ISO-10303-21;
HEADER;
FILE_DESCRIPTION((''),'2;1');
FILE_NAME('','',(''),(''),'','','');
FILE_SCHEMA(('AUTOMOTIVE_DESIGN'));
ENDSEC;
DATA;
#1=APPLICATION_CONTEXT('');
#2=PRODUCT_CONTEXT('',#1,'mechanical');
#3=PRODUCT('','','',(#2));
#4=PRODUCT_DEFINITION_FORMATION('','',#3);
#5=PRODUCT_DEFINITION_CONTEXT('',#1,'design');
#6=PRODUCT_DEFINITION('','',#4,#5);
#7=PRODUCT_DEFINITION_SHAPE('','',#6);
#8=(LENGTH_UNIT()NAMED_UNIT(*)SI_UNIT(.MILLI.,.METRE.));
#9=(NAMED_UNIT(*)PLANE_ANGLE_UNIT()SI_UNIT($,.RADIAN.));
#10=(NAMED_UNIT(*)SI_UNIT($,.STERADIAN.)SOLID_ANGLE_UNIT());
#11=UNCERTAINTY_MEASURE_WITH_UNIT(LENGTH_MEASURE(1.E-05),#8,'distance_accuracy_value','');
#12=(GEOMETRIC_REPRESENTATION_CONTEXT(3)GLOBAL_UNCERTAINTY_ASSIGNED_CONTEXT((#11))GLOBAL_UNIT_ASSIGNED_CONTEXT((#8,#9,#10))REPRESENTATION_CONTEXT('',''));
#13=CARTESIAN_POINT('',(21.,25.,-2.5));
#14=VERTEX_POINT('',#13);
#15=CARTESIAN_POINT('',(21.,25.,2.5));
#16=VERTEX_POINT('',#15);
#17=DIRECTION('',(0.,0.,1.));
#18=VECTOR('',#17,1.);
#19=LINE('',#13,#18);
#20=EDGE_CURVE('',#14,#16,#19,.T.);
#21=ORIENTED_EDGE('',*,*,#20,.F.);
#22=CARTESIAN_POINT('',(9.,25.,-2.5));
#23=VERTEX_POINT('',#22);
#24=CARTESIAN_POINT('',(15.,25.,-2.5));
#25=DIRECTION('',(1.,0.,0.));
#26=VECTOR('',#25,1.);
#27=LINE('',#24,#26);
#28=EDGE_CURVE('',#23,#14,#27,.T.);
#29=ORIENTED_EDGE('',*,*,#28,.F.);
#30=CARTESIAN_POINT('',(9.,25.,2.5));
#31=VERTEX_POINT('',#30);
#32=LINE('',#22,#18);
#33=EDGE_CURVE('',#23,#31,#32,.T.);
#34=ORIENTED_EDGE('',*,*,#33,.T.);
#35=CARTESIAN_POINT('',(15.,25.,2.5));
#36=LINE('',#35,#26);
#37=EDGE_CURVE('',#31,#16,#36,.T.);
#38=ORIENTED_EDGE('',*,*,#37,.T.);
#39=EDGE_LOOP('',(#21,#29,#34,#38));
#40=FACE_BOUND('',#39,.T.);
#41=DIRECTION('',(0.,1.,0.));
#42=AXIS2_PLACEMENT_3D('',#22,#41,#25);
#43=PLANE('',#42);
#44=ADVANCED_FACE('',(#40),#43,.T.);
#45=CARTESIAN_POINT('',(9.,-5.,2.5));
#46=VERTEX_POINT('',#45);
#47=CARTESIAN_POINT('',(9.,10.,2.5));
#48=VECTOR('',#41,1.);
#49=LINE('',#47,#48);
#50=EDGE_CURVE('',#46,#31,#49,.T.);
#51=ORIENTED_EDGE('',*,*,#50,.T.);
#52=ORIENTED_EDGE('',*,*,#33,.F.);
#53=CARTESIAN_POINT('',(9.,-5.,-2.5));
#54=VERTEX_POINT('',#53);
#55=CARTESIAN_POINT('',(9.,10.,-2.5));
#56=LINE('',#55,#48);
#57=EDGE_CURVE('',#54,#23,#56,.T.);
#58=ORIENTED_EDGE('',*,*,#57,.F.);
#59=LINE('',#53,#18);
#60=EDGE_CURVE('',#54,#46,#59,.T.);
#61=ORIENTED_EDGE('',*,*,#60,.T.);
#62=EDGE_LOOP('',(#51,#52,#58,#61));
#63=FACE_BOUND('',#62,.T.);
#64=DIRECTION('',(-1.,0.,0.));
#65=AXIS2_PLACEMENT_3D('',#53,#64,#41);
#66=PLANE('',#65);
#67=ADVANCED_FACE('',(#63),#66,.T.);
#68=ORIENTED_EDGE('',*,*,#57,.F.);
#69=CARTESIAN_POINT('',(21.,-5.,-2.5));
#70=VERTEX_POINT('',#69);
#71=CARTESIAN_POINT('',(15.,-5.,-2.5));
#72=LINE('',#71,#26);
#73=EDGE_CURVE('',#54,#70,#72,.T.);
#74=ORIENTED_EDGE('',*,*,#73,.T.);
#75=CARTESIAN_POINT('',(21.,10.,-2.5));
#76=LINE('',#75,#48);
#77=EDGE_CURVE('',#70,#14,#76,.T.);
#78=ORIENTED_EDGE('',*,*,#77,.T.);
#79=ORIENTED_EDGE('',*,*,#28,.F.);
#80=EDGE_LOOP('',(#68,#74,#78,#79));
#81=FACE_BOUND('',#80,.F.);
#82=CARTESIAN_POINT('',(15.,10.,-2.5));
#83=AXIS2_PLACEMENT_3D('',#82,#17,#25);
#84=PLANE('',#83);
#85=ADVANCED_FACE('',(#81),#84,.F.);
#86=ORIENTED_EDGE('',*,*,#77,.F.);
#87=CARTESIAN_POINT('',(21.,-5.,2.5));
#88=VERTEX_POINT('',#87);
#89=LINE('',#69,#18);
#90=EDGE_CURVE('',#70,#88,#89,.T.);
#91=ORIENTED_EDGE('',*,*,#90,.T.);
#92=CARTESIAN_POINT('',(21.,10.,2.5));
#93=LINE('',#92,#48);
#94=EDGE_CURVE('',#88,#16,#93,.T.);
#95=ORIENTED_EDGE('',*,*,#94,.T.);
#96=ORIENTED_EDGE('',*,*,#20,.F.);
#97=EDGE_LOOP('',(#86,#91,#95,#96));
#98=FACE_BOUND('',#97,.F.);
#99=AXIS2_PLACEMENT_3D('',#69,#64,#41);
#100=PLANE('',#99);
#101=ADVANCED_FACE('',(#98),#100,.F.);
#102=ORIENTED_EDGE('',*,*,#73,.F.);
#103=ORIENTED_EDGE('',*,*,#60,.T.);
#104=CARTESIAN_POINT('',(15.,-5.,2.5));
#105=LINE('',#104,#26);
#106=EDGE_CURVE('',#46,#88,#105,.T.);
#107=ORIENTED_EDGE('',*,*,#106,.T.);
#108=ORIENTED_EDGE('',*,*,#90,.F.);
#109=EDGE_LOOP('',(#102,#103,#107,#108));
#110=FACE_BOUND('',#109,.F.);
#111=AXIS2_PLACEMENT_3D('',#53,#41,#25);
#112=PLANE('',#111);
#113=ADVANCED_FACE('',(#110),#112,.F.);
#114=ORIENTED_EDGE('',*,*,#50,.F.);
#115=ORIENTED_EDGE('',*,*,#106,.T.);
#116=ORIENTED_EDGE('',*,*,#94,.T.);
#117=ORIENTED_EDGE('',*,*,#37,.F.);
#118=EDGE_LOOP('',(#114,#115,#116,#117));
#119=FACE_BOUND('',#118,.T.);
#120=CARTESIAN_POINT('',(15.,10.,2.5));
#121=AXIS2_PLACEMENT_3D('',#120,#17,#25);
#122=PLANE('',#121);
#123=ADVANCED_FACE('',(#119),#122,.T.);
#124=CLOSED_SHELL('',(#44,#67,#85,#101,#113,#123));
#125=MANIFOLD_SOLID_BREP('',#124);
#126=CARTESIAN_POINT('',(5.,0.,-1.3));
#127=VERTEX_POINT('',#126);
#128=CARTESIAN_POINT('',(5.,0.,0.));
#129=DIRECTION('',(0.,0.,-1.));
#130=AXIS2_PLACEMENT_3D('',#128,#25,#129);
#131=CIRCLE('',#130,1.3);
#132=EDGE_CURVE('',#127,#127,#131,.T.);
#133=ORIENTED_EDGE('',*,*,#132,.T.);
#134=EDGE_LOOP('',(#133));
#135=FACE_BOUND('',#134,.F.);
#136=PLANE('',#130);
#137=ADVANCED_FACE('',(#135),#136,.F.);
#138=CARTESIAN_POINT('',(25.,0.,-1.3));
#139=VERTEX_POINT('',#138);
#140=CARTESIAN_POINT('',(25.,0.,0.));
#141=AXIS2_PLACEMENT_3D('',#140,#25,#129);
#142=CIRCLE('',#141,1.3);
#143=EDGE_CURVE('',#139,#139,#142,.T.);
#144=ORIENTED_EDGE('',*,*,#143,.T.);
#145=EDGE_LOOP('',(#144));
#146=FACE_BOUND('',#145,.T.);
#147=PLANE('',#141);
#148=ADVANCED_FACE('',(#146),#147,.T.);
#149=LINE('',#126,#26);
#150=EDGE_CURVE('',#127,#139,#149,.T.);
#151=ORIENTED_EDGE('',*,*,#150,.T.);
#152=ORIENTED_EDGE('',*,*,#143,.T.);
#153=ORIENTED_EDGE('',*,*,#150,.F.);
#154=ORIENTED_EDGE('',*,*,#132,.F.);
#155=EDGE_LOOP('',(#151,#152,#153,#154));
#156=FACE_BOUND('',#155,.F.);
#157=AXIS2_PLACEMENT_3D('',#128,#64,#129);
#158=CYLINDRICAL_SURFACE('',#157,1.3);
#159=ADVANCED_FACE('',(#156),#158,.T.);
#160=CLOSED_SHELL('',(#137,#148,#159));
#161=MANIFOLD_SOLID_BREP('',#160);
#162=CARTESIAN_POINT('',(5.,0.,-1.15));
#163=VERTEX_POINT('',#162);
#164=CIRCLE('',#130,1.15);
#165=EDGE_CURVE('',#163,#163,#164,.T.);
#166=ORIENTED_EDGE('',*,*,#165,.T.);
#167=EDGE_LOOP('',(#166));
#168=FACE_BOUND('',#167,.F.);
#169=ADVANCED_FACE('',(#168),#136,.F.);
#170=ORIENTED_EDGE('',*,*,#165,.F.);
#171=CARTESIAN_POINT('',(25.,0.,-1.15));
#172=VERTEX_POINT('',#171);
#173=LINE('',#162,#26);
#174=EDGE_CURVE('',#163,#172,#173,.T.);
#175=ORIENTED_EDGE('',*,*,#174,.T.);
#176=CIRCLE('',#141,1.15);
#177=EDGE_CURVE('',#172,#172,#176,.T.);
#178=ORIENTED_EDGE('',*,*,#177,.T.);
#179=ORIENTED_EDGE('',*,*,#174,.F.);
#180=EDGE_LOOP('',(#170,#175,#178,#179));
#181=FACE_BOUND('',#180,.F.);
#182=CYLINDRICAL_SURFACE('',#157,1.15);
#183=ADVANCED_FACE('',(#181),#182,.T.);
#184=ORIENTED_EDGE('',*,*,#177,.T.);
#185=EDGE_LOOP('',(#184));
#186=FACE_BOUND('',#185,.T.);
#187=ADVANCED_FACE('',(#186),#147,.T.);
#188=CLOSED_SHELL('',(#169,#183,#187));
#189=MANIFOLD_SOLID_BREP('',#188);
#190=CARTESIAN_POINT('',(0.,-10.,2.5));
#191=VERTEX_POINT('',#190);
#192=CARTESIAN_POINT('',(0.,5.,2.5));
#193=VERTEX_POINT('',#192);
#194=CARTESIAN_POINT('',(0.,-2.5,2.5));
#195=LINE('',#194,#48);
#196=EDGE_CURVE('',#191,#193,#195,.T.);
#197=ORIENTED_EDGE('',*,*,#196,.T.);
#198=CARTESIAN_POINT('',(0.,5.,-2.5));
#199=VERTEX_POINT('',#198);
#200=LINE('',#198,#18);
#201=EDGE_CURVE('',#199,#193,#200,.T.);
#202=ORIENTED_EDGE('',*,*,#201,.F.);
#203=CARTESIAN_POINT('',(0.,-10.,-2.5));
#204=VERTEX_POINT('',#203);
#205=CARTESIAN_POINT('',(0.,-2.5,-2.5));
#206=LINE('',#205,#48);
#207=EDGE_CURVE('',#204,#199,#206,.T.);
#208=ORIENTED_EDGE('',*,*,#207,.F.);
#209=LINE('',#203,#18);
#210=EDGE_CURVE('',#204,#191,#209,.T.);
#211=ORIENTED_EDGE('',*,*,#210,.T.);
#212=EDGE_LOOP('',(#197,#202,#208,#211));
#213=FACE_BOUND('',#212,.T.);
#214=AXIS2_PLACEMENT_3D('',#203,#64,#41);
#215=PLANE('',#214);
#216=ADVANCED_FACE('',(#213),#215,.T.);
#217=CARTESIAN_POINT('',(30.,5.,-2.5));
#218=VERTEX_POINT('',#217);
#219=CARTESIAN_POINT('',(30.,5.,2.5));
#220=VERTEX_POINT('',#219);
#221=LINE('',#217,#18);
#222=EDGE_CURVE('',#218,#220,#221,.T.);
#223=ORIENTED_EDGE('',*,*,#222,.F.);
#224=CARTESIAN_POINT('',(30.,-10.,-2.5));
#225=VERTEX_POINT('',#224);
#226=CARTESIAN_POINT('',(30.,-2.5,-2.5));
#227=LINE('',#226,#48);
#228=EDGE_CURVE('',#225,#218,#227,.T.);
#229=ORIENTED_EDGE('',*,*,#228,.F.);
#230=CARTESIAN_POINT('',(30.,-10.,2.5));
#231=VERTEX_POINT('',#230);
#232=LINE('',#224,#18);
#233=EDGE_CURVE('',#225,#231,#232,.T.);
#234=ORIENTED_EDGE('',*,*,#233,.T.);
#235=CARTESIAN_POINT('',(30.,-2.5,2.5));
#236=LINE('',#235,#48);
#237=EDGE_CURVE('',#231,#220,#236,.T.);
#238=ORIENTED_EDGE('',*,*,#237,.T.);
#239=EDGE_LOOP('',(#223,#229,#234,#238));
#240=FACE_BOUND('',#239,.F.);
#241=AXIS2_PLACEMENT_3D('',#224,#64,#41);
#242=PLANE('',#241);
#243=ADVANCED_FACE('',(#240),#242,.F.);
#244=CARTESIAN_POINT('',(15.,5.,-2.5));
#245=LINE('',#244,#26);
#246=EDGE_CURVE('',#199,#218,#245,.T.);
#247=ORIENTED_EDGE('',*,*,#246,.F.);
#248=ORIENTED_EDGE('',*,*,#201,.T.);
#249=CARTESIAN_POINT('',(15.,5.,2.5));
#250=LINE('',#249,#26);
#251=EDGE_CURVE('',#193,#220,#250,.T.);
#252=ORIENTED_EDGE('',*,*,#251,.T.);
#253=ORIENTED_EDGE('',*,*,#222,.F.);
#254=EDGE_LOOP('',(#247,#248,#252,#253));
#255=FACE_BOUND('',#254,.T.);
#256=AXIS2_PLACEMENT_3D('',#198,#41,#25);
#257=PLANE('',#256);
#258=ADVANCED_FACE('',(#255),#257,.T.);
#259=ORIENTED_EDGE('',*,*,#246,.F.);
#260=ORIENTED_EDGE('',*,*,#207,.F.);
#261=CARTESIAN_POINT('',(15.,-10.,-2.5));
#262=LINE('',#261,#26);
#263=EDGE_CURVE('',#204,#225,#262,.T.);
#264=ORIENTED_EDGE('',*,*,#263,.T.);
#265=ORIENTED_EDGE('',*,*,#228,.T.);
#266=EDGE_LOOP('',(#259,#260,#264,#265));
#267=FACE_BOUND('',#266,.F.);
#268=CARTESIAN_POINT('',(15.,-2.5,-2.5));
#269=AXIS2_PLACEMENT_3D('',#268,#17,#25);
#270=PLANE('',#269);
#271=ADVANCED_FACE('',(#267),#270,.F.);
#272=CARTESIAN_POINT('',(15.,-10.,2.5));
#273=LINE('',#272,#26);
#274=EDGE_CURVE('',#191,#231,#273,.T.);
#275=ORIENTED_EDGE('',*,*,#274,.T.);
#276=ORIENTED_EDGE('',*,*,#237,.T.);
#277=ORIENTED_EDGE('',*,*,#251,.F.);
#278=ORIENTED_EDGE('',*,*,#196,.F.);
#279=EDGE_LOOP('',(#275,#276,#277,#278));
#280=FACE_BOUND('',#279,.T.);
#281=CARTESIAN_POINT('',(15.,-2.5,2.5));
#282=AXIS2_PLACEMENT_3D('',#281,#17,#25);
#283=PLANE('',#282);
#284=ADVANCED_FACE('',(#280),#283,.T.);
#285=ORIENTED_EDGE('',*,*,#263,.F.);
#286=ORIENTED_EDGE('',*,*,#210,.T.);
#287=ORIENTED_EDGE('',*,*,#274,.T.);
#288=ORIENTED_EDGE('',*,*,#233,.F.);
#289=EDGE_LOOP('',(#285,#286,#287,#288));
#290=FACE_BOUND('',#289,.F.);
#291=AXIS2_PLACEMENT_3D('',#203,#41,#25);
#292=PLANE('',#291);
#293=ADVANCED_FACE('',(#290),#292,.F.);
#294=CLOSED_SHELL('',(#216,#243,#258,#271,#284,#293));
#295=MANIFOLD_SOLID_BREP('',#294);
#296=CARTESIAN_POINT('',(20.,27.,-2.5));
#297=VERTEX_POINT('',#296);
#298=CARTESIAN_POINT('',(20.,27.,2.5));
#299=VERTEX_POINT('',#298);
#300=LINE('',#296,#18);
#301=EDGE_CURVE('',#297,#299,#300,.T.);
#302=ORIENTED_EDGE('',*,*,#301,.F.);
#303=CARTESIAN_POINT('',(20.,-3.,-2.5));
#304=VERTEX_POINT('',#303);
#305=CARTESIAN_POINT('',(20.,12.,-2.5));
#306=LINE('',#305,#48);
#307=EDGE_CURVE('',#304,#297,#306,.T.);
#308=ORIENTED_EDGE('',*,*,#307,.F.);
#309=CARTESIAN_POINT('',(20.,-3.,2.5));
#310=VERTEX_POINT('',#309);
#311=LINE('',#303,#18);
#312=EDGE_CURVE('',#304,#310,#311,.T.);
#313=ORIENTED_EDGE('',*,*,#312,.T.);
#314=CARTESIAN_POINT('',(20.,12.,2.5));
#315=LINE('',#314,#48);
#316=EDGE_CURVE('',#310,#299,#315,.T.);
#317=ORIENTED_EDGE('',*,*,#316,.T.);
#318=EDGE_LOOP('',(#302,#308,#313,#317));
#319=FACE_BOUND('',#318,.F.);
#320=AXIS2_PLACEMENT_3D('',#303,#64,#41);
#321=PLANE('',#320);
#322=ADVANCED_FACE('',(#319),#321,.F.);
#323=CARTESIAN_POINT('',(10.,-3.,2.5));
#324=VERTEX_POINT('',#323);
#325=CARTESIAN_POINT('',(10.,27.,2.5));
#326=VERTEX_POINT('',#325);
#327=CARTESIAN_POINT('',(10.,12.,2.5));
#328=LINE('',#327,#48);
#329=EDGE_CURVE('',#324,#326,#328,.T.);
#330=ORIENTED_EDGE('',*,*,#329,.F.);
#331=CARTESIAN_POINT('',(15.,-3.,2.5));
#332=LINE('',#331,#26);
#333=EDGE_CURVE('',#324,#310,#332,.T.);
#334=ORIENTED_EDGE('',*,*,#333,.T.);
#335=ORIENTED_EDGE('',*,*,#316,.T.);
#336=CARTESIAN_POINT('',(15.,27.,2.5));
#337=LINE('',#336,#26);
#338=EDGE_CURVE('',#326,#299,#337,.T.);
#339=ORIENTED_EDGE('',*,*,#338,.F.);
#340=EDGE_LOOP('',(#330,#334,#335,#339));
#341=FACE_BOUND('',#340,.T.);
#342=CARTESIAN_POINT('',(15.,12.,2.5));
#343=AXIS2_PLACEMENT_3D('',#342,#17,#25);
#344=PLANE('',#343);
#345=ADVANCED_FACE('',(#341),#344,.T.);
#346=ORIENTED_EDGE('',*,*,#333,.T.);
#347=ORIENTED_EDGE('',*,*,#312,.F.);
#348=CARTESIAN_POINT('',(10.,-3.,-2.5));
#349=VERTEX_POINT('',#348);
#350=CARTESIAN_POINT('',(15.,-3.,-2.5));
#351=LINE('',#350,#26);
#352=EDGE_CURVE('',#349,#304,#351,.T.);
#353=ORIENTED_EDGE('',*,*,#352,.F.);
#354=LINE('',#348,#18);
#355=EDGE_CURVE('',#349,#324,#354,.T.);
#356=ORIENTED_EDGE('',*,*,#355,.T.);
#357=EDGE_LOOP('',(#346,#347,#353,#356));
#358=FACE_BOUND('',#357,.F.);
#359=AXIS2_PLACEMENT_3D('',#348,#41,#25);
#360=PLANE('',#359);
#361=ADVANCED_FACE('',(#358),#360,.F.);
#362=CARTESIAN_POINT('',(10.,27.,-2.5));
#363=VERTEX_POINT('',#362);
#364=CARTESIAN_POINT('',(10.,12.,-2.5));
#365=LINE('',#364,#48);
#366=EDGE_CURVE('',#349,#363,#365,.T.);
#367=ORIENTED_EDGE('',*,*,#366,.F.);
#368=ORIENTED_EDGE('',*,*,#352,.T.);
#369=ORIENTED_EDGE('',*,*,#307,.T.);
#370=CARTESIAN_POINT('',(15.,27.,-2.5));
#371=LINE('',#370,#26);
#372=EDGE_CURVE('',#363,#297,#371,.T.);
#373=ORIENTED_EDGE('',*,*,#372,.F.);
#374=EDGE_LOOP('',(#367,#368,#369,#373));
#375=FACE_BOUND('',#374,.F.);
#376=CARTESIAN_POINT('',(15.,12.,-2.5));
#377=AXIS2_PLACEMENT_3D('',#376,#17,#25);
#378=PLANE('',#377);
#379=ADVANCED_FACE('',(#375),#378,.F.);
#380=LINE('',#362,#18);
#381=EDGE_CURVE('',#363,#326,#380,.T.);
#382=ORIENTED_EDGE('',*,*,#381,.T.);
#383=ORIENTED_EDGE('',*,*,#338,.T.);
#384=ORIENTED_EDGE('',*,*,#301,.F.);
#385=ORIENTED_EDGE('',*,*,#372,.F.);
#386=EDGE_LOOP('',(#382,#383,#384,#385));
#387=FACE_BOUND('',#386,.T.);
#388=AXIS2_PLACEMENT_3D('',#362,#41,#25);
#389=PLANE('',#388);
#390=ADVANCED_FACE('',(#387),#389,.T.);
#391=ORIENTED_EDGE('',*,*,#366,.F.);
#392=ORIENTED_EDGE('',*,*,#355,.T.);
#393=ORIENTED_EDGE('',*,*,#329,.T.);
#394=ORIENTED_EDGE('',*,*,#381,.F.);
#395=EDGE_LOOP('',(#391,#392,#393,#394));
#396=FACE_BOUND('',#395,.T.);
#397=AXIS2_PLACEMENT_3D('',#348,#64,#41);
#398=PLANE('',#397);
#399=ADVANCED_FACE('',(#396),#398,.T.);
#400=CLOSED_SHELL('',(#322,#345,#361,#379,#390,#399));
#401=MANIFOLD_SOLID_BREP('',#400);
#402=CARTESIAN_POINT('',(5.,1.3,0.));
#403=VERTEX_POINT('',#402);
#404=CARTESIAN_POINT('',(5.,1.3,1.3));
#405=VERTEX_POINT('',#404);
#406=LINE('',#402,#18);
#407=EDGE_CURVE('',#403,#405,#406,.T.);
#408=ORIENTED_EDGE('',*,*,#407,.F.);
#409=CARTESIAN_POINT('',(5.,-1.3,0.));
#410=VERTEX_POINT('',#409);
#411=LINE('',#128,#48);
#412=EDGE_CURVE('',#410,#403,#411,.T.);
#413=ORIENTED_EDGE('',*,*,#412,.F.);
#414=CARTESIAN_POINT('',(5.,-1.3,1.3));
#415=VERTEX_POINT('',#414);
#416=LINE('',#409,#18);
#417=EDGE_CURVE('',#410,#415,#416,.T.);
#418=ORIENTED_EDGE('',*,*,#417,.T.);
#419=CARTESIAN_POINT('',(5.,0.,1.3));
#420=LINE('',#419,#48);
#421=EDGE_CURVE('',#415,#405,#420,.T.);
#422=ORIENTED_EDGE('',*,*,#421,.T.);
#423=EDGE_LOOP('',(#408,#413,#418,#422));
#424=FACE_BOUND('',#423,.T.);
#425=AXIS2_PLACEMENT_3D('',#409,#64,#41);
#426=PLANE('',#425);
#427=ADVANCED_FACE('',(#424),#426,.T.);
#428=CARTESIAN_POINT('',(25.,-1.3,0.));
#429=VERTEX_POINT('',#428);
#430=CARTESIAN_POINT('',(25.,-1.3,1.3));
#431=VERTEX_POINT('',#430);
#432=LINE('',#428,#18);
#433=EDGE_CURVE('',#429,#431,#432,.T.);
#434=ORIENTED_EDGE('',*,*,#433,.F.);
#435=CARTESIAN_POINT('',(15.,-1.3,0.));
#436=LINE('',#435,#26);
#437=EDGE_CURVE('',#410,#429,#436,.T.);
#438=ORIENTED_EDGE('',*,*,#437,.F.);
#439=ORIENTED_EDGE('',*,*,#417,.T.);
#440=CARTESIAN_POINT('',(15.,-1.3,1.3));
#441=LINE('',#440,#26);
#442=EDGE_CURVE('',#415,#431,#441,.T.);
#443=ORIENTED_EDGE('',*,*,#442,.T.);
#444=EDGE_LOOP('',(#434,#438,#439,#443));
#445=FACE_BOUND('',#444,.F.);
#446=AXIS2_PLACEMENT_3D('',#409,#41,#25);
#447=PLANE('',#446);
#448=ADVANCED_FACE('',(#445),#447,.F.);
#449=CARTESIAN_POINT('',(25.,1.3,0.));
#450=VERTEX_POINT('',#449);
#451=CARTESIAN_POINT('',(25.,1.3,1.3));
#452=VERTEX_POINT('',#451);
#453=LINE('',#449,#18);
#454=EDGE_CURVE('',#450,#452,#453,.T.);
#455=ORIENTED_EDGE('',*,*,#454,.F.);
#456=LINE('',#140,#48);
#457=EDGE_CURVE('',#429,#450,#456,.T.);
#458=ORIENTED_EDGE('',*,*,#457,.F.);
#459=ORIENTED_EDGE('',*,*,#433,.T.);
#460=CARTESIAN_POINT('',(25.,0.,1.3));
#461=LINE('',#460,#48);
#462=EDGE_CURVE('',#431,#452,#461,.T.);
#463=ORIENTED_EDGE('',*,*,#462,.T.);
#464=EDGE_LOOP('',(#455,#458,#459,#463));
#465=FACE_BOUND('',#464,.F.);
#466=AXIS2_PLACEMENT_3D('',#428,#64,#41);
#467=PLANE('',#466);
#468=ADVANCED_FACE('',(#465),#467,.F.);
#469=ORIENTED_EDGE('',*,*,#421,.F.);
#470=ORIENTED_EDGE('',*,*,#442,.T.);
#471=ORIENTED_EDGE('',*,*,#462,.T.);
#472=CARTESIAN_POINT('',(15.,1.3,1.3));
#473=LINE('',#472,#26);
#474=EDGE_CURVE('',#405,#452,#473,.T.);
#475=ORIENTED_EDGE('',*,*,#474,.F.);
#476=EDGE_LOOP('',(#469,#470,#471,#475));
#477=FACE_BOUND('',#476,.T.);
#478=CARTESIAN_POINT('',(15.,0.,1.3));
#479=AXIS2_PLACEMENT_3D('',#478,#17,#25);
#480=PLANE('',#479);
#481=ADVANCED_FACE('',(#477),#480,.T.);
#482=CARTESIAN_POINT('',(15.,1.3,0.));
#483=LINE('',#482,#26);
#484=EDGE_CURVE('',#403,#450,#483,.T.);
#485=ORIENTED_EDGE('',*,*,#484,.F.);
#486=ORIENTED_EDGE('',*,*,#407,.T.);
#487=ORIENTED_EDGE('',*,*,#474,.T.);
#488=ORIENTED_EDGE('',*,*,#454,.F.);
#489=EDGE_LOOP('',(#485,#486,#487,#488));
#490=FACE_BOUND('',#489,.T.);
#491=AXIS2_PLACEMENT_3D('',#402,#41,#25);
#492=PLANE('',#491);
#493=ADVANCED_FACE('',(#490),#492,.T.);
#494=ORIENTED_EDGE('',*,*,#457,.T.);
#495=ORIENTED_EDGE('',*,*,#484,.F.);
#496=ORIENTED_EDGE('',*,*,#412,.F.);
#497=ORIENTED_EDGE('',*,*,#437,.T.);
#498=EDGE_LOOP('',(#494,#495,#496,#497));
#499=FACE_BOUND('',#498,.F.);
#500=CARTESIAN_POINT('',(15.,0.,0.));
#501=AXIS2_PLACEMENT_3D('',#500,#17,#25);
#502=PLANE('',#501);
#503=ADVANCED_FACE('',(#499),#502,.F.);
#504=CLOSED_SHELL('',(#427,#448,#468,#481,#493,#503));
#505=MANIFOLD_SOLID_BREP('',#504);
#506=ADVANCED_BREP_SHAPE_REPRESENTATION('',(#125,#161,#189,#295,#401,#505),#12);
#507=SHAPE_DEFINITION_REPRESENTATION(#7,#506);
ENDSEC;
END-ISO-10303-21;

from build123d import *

# Parameters (mm, degrees)
BOX_W             = 30
BOX_H             = 15
BOX_DEPTH         = 5
BOX001_W          = 10
BOX001_H          = 30
BOX001_DEPTH      = 5
CYLINDER_R        = 1.15
CYLINDER_DEPTH    = 20
CYLINDER001_R     = 1.3
CYLINDER001_DEPTH = 20
BOX002_W          = 20
BOX002_H          = 2.6
BOX002_DEPTH      = 1.3
BOX003_W          = 12
BOX003_H          = 30
BOX003_DEPTH      = 5


with BuildPart() as cube:
    # Box → Box (new body)
    with BuildSketch(Plane(origin=(0, -10, -2.5), x_dir=(1, 0, 0), z_dir=(0, 0, 1))):
        with Locations((15, 7.5)):
            Rectangle(BOX_W, BOX_H)
    extrude(amount=BOX_DEPTH)


with BuildPart() as cube001:
    # Box001 → Box001 (new body)
    with BuildSketch(Plane(origin=(10, -3, -2.5), x_dir=(1, 0, 0), z_dir=(0, 0, 1))):
        with Locations((5, 15)):
            Rectangle(BOX001_W, BOX001_H)
    extrude(amount=BOX001_DEPTH)


with BuildPart() as cylinder:
    # Cylinder → Cylinder (new body)
    with BuildSketch(Plane(origin=(5, 0, 0), x_dir=(0, 0, -1), z_dir=(1, 0, 0))):
        Circle(CYLINDER_R)
    extrude(amount=CYLINDER_DEPTH)


with BuildPart() as cylinder001:
    # Cylinder001 → Cylinder001 (new body)
    with BuildSketch(Plane(origin=(5, 0, 0), x_dir=(0, 0, -1), z_dir=(1, 0, 0))):
        Circle(CYLINDER001_R)
    extrude(amount=CYLINDER001_DEPTH)


with BuildPart() as cube002:
    # Box002 → Box002 (new body)
    with BuildSketch(Plane(origin=(5, -1.3, 0), x_dir=(1, 0, 0), z_dir=(0, 0, 1))):
        with Locations((10, 1.3)):
            Rectangle(BOX002_W, BOX002_H)
    extrude(amount=BOX002_DEPTH)


with BuildPart() as cube003:
    # Box003 → Box003 (new body)
    with BuildSketch(Plane(origin=(9, -5, -2.5), x_dir=(1, 0, 0), z_dir=(0, 0, 1))):
        with Locations((6, 15)):
            Rectangle(BOX003_W, BOX003_H)
    extrude(amount=BOX003_DEPTH)


solid = Compound([cube.part, cube001.part, cylinder.part, cylinder001.part, cube002.part, cube003.part])
